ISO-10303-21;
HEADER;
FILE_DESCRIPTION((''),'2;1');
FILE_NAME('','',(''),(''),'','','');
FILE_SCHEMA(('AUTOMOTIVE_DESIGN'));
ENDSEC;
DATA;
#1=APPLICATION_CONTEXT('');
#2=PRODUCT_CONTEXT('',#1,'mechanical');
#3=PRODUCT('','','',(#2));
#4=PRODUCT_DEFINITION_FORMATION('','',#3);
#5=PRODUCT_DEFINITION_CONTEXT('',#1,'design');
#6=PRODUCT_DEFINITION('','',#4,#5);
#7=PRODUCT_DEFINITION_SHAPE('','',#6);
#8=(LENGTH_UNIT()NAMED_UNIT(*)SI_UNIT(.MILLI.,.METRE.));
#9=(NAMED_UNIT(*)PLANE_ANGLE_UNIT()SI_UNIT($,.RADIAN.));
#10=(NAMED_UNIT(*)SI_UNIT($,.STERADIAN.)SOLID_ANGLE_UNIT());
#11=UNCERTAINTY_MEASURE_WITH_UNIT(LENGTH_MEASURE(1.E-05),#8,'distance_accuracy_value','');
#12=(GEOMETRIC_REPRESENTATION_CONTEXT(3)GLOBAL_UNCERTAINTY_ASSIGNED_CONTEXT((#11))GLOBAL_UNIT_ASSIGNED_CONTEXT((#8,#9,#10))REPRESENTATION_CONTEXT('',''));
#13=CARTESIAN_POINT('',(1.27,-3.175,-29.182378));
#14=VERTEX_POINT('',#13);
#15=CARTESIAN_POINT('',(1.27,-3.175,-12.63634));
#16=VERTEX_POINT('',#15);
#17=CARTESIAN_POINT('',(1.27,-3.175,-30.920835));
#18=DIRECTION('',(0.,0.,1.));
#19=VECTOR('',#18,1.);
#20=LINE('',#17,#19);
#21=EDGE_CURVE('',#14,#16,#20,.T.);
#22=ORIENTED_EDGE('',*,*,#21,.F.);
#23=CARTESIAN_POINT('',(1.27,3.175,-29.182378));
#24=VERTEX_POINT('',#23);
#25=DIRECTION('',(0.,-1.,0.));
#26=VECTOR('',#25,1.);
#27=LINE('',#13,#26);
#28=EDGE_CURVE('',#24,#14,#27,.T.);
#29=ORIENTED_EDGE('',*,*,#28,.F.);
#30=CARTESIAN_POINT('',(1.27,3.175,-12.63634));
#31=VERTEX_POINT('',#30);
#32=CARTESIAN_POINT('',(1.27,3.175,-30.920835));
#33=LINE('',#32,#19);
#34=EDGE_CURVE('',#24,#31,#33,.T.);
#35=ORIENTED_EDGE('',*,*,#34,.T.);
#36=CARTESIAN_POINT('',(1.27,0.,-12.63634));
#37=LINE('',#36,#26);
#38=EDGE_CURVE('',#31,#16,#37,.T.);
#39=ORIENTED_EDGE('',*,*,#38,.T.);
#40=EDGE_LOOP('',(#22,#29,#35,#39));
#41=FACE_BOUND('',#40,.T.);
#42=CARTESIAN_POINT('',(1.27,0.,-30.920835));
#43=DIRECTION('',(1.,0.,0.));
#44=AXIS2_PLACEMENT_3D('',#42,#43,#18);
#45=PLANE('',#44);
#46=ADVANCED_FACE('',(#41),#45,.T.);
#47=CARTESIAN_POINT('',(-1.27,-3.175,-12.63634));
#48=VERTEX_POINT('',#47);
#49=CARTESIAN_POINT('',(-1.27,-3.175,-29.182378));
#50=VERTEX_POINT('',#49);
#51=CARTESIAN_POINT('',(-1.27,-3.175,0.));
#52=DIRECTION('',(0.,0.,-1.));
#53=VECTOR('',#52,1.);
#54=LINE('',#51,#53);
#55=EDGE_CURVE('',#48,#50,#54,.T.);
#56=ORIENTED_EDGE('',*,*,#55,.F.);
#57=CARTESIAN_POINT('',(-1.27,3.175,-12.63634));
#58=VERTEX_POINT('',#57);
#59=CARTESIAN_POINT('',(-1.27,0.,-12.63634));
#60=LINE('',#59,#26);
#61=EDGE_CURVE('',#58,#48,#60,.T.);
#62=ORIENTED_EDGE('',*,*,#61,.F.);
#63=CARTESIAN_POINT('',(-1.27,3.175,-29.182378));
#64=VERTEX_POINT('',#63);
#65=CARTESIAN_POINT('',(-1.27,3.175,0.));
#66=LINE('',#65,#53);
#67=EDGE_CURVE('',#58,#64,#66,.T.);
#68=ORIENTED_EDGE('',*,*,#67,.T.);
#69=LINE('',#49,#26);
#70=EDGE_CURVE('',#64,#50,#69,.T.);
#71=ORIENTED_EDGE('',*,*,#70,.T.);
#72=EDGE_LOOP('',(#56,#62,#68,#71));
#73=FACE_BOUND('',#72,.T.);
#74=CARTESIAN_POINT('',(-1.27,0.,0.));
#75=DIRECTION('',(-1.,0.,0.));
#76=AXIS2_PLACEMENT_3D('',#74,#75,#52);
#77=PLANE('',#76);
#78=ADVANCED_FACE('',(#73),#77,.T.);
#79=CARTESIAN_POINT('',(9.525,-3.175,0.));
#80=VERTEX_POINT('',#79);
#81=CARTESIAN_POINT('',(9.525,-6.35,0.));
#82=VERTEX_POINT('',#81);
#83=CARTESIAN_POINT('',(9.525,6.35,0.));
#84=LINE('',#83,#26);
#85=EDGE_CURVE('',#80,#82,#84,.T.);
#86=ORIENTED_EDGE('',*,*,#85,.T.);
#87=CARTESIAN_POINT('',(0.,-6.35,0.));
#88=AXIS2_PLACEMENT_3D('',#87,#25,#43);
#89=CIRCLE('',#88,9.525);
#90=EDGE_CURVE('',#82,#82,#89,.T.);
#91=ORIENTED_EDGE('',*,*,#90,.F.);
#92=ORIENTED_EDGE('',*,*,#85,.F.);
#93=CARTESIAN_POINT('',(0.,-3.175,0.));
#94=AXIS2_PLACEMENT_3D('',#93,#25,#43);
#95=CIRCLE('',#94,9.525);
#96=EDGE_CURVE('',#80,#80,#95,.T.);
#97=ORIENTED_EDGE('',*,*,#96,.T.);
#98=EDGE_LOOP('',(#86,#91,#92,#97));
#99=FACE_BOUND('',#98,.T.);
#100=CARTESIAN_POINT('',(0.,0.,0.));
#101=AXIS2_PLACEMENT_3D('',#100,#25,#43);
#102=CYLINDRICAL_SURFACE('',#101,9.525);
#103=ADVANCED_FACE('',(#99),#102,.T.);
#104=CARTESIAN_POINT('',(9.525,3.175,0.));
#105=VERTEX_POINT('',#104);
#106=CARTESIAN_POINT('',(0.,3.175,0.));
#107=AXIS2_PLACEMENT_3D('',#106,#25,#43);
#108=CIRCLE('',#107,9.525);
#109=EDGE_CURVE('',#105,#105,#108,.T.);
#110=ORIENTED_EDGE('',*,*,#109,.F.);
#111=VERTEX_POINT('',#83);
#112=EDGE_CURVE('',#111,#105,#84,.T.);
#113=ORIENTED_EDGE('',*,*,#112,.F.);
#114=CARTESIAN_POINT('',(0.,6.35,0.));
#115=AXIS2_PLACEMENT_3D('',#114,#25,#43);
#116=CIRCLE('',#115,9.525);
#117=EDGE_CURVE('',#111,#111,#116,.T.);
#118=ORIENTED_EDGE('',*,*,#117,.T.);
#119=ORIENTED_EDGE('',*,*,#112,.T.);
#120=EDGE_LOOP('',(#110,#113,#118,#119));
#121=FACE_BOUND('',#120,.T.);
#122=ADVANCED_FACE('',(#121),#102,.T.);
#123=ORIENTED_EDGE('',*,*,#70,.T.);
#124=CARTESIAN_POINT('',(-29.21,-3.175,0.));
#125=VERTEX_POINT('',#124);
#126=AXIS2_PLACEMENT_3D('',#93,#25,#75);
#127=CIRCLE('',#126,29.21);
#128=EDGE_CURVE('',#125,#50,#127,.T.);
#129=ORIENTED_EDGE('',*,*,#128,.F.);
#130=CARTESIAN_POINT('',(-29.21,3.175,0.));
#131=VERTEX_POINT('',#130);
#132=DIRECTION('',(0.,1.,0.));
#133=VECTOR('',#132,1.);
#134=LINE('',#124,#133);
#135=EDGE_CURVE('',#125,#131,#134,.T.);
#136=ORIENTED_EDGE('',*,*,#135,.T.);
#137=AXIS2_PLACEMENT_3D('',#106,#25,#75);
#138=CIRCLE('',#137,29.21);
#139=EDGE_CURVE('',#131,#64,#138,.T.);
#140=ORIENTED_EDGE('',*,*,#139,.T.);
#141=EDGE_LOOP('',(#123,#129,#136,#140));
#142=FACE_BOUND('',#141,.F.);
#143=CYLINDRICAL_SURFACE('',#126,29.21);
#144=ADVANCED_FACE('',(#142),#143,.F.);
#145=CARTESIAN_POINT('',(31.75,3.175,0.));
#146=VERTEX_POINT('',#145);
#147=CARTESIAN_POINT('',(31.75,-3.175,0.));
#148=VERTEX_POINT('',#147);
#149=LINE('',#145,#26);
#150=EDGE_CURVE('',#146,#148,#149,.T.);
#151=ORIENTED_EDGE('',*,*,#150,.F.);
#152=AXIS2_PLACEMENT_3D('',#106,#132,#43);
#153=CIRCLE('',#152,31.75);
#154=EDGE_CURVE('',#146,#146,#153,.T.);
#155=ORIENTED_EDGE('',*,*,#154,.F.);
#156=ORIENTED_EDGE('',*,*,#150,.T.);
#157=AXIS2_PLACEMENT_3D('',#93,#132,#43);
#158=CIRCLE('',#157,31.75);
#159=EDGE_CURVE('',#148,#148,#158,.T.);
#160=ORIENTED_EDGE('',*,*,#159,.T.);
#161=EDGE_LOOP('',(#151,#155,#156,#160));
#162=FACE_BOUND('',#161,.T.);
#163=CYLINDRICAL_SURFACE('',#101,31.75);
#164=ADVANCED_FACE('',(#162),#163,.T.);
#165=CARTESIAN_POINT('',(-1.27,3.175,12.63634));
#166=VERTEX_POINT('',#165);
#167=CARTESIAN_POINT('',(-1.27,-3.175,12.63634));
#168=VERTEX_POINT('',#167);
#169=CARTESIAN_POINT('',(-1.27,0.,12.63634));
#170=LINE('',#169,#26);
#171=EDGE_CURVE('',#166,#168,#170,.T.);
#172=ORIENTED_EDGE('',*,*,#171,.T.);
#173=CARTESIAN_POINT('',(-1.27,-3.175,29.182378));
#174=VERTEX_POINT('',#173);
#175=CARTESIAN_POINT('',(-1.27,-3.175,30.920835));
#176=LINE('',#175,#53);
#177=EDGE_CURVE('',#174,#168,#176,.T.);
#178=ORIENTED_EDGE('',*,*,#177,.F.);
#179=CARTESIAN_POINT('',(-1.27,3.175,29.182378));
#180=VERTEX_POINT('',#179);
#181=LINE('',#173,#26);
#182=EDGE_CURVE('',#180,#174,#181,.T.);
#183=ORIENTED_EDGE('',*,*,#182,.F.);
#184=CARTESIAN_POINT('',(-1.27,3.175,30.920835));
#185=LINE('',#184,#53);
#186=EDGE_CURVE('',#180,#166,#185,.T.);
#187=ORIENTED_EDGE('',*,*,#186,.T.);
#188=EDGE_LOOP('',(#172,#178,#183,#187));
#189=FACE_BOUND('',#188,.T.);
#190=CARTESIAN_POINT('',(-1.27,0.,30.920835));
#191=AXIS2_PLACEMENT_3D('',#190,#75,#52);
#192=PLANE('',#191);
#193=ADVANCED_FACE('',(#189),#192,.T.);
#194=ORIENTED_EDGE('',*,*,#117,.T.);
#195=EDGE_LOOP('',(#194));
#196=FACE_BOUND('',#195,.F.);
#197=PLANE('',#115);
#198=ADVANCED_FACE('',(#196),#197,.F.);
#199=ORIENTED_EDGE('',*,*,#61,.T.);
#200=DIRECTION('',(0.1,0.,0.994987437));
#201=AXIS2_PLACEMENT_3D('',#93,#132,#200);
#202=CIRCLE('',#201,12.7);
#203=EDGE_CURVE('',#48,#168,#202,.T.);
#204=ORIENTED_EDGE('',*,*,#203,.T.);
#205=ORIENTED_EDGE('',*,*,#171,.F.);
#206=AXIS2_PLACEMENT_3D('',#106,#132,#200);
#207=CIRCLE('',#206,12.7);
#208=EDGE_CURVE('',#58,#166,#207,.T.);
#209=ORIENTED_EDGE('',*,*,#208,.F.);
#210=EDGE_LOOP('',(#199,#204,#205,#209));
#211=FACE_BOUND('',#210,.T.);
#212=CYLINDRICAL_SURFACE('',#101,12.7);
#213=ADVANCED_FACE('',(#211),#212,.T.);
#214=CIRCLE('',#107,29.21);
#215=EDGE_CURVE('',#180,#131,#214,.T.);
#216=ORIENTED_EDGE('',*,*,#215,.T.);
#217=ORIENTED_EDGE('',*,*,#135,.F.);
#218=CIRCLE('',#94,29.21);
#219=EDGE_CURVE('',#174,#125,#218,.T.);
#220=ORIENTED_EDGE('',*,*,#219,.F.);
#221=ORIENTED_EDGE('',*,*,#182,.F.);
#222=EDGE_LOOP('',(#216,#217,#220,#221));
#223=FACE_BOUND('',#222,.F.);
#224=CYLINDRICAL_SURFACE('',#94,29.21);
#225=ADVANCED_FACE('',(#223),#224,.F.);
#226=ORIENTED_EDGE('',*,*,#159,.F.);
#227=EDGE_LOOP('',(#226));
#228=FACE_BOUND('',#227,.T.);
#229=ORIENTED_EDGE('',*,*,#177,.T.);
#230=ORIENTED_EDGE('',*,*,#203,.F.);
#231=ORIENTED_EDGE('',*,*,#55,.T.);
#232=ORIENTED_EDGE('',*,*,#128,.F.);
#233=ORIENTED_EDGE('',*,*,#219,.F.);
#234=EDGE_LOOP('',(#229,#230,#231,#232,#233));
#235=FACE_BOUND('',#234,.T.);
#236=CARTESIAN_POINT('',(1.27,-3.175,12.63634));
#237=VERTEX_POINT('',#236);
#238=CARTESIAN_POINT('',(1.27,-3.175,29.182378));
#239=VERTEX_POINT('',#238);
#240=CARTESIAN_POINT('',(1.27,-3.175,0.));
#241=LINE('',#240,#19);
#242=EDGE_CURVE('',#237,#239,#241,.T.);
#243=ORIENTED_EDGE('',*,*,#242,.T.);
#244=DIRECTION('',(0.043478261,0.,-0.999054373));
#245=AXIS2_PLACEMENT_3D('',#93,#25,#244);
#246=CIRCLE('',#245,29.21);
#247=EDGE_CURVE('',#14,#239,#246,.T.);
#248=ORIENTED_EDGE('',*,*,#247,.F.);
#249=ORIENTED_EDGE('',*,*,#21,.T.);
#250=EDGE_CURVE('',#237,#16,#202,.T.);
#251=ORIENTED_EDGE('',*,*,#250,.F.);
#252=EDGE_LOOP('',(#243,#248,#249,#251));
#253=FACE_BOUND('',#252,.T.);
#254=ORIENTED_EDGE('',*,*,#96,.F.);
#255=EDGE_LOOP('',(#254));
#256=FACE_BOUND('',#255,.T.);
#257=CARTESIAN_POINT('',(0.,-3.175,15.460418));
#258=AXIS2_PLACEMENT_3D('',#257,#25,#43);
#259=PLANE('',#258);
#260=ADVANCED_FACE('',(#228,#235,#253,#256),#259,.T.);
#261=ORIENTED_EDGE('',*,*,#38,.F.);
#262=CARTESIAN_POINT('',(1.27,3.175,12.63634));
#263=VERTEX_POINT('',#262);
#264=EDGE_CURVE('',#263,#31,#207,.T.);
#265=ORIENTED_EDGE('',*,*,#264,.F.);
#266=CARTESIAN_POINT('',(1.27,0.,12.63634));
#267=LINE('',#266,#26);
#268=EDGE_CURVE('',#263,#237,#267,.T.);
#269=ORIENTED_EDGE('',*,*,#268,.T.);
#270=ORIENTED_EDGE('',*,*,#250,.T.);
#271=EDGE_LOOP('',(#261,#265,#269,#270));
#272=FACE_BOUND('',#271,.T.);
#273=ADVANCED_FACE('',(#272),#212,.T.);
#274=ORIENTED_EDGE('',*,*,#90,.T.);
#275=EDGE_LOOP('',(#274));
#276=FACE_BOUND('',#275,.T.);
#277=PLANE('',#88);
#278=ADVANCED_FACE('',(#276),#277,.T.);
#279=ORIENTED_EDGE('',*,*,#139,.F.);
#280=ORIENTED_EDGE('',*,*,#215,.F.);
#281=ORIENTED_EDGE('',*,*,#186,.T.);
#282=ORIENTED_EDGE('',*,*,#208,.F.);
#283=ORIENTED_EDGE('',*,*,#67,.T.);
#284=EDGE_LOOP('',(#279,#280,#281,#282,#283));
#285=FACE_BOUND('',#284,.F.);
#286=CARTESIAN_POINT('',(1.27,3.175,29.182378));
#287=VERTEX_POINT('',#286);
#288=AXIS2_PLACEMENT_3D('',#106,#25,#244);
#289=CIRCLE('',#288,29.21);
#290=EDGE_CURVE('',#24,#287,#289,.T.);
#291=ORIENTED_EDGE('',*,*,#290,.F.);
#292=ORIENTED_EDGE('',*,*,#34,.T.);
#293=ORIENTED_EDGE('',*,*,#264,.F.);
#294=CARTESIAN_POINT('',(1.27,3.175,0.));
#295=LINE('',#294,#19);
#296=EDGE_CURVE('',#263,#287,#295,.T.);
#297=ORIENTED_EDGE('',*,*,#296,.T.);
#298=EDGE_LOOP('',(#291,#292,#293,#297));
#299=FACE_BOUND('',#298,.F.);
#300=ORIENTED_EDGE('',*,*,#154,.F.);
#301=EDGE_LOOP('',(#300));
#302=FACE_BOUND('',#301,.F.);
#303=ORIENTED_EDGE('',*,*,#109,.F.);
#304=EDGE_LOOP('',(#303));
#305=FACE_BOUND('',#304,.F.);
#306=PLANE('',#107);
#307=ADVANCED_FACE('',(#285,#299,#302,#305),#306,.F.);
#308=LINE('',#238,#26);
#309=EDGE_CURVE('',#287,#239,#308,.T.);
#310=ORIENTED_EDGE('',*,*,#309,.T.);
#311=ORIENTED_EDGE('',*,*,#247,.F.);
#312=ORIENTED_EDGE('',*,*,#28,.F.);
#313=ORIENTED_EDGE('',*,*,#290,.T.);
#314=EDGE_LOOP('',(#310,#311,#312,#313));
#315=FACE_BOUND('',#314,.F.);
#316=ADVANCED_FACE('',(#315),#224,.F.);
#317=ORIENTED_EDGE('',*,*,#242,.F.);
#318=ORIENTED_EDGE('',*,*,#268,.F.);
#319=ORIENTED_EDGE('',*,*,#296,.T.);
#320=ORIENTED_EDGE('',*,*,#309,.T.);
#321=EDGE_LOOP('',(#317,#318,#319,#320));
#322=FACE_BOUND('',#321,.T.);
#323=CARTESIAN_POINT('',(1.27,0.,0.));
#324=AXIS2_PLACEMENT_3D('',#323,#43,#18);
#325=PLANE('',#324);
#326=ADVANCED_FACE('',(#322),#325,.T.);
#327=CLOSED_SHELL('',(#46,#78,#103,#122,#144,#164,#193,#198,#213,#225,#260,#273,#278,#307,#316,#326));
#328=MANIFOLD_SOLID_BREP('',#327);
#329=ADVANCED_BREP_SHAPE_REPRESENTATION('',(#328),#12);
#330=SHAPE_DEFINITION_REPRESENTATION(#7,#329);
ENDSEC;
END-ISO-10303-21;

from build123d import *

# Parameters (mm, degrees)
F0_R      = 31.75
F1_DEPTH  = 3.175
F2_R      = 29.21
F3_DEPTH  = 6.351
F4_R      = 12.7
F5_DEPTH  = 3.175
F7_DEPTH  = 3.175
F8_COUNT  = 2
F9_R      = 9.525
F10_DEPTH = 6.35


with BuildPart() as f1:
    # F0 (on Front) → F1 (new body, symmetric)
    with BuildSketch(Plane.XZ):
        Circle(F0_R)
    extrude(amount=F1_DEPTH, both=True)

    # F2 (on face) → F3 (cut, through all)
    with BuildSketch(Plane.XZ.offset(3.175)):
        Circle(F2_R)
    extrude(amount=-F3_DEPTH, mode=Mode.SUBTRACT)



with BuildPart() as f5:
    # F4 (on Front) → F5 (new body, symmetric)
    with BuildSketch(Plane.XZ):
        Circle(F4_R)
    extrude(amount=F5_DEPTH, both=True)


with BuildPart() as f1_1:
    add(f1.part)

    add(f5.part)  # F7 merges F5
    # F6 (on Front) → F7 (join, symmetric)
    with BuildSketch(Plane.XZ):
        Polygon((1.27, 30.9208352119), (0, 30.9208352119), (-1.27, 30.9208352119), (-1.27, 0), (0, 0), (1.27, 0), align=None)
    extrude(amount=F7_DEPTH, both=True)

    # F8: F1 ×2 about axis
    f8_axis = Axis((0, -3.175, 0), (0, 1, 0))


with BuildPart() as f1_2:
    add(f1_1.part)
    for i in range(1, F8_COUNT):
        add(f1_1.part.rotate(f8_axis, i * 360 / F8_COUNT))

    # F9 (on Front) → F10 (join, symmetric)
    with BuildSketch(Plane.XZ):
        Circle(F9_R)
    extrude(amount=F10_DEPTH, both=True)


solid = f1_2.part
